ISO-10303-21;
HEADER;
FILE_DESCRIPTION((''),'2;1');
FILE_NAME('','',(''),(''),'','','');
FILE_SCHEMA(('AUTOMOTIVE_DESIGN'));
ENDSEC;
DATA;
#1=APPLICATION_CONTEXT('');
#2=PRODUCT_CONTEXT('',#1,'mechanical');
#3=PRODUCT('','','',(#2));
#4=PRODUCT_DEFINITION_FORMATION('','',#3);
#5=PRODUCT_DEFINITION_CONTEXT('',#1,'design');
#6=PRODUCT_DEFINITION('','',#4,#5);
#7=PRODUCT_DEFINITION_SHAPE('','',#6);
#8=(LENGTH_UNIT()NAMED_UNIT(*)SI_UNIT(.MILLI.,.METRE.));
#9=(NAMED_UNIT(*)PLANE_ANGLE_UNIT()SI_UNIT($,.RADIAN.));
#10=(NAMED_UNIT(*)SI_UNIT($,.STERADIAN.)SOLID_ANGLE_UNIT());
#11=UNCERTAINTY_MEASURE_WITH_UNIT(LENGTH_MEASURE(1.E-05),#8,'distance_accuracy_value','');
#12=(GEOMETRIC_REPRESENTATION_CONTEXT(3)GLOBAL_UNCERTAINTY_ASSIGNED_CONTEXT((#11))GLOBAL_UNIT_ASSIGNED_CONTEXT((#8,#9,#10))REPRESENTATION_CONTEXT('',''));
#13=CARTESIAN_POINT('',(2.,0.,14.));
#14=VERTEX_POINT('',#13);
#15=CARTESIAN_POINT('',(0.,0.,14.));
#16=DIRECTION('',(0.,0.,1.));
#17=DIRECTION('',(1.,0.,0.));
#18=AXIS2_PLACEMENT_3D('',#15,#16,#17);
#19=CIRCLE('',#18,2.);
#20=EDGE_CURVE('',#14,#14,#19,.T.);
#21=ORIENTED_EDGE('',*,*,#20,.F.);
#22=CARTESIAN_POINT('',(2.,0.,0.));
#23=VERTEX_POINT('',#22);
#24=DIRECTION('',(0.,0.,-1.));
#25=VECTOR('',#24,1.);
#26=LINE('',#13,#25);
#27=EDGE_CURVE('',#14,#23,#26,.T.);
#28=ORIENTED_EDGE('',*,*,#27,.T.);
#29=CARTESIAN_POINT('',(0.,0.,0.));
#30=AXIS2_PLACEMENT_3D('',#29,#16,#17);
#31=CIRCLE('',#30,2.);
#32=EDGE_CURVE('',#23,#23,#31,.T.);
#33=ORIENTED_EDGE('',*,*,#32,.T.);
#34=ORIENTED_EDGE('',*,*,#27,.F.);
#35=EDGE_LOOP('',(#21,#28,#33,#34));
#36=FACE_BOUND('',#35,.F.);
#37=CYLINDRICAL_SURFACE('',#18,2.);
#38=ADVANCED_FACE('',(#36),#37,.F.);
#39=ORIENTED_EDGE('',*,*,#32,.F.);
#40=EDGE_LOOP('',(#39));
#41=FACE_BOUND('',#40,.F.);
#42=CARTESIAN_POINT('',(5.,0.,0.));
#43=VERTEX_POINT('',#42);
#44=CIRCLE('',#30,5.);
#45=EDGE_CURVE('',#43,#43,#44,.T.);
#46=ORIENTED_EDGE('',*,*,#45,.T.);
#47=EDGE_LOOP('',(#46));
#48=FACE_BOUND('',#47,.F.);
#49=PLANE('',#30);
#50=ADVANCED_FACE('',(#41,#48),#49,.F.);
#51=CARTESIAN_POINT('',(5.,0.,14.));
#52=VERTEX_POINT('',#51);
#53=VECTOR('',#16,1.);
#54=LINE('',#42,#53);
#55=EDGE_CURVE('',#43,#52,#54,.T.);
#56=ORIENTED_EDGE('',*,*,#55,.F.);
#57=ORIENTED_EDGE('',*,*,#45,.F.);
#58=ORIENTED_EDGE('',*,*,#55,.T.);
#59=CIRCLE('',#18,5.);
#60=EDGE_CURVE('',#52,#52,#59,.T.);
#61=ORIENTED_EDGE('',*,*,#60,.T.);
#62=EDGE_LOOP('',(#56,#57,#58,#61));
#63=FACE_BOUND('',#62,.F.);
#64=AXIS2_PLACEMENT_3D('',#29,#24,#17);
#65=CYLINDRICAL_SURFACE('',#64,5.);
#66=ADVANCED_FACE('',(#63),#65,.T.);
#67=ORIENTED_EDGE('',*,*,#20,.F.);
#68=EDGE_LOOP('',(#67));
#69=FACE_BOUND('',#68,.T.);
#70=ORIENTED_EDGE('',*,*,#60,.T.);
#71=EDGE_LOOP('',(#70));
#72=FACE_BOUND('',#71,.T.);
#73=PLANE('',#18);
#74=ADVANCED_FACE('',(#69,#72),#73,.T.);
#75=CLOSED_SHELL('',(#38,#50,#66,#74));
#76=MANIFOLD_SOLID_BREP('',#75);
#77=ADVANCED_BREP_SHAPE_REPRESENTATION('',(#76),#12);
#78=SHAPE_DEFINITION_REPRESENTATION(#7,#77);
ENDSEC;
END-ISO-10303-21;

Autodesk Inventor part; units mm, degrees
ref_plane "YZ Plane" through (0, 0, 0) normal (1, 0, 0) x (0, 1, 0)
ref_plane "XZ Plane" through (0, 0, 0) normal (0, 1, 0) x (-1, 0, 0)
ref_plane "XY Plane" through (0, 0, 0) normal (0, 0, 1) x (1, 0, 0)
sketch "スケッチ1" plane through (0, 0, 0) normal (0, 0, 1) x (1, 0, 0)
  circle A0 centre (0, 0) radius 5
  dimension "d0" = 10
extrude "押し出し1" add sketch "スケッチ1" along normal blind 14
sketch "スケッチ2" plane through (0, 0, 14) normal (0, 0, 1) x (1, 0, 0)
  circle A0 centre (0, 0) radius 2
  dimension "d3" = 4
extrude "押し出し2" cut sketch "スケッチ2" against normal blind 14
properties part number "gear1_BSS0.5-20B" material "真鍮"
